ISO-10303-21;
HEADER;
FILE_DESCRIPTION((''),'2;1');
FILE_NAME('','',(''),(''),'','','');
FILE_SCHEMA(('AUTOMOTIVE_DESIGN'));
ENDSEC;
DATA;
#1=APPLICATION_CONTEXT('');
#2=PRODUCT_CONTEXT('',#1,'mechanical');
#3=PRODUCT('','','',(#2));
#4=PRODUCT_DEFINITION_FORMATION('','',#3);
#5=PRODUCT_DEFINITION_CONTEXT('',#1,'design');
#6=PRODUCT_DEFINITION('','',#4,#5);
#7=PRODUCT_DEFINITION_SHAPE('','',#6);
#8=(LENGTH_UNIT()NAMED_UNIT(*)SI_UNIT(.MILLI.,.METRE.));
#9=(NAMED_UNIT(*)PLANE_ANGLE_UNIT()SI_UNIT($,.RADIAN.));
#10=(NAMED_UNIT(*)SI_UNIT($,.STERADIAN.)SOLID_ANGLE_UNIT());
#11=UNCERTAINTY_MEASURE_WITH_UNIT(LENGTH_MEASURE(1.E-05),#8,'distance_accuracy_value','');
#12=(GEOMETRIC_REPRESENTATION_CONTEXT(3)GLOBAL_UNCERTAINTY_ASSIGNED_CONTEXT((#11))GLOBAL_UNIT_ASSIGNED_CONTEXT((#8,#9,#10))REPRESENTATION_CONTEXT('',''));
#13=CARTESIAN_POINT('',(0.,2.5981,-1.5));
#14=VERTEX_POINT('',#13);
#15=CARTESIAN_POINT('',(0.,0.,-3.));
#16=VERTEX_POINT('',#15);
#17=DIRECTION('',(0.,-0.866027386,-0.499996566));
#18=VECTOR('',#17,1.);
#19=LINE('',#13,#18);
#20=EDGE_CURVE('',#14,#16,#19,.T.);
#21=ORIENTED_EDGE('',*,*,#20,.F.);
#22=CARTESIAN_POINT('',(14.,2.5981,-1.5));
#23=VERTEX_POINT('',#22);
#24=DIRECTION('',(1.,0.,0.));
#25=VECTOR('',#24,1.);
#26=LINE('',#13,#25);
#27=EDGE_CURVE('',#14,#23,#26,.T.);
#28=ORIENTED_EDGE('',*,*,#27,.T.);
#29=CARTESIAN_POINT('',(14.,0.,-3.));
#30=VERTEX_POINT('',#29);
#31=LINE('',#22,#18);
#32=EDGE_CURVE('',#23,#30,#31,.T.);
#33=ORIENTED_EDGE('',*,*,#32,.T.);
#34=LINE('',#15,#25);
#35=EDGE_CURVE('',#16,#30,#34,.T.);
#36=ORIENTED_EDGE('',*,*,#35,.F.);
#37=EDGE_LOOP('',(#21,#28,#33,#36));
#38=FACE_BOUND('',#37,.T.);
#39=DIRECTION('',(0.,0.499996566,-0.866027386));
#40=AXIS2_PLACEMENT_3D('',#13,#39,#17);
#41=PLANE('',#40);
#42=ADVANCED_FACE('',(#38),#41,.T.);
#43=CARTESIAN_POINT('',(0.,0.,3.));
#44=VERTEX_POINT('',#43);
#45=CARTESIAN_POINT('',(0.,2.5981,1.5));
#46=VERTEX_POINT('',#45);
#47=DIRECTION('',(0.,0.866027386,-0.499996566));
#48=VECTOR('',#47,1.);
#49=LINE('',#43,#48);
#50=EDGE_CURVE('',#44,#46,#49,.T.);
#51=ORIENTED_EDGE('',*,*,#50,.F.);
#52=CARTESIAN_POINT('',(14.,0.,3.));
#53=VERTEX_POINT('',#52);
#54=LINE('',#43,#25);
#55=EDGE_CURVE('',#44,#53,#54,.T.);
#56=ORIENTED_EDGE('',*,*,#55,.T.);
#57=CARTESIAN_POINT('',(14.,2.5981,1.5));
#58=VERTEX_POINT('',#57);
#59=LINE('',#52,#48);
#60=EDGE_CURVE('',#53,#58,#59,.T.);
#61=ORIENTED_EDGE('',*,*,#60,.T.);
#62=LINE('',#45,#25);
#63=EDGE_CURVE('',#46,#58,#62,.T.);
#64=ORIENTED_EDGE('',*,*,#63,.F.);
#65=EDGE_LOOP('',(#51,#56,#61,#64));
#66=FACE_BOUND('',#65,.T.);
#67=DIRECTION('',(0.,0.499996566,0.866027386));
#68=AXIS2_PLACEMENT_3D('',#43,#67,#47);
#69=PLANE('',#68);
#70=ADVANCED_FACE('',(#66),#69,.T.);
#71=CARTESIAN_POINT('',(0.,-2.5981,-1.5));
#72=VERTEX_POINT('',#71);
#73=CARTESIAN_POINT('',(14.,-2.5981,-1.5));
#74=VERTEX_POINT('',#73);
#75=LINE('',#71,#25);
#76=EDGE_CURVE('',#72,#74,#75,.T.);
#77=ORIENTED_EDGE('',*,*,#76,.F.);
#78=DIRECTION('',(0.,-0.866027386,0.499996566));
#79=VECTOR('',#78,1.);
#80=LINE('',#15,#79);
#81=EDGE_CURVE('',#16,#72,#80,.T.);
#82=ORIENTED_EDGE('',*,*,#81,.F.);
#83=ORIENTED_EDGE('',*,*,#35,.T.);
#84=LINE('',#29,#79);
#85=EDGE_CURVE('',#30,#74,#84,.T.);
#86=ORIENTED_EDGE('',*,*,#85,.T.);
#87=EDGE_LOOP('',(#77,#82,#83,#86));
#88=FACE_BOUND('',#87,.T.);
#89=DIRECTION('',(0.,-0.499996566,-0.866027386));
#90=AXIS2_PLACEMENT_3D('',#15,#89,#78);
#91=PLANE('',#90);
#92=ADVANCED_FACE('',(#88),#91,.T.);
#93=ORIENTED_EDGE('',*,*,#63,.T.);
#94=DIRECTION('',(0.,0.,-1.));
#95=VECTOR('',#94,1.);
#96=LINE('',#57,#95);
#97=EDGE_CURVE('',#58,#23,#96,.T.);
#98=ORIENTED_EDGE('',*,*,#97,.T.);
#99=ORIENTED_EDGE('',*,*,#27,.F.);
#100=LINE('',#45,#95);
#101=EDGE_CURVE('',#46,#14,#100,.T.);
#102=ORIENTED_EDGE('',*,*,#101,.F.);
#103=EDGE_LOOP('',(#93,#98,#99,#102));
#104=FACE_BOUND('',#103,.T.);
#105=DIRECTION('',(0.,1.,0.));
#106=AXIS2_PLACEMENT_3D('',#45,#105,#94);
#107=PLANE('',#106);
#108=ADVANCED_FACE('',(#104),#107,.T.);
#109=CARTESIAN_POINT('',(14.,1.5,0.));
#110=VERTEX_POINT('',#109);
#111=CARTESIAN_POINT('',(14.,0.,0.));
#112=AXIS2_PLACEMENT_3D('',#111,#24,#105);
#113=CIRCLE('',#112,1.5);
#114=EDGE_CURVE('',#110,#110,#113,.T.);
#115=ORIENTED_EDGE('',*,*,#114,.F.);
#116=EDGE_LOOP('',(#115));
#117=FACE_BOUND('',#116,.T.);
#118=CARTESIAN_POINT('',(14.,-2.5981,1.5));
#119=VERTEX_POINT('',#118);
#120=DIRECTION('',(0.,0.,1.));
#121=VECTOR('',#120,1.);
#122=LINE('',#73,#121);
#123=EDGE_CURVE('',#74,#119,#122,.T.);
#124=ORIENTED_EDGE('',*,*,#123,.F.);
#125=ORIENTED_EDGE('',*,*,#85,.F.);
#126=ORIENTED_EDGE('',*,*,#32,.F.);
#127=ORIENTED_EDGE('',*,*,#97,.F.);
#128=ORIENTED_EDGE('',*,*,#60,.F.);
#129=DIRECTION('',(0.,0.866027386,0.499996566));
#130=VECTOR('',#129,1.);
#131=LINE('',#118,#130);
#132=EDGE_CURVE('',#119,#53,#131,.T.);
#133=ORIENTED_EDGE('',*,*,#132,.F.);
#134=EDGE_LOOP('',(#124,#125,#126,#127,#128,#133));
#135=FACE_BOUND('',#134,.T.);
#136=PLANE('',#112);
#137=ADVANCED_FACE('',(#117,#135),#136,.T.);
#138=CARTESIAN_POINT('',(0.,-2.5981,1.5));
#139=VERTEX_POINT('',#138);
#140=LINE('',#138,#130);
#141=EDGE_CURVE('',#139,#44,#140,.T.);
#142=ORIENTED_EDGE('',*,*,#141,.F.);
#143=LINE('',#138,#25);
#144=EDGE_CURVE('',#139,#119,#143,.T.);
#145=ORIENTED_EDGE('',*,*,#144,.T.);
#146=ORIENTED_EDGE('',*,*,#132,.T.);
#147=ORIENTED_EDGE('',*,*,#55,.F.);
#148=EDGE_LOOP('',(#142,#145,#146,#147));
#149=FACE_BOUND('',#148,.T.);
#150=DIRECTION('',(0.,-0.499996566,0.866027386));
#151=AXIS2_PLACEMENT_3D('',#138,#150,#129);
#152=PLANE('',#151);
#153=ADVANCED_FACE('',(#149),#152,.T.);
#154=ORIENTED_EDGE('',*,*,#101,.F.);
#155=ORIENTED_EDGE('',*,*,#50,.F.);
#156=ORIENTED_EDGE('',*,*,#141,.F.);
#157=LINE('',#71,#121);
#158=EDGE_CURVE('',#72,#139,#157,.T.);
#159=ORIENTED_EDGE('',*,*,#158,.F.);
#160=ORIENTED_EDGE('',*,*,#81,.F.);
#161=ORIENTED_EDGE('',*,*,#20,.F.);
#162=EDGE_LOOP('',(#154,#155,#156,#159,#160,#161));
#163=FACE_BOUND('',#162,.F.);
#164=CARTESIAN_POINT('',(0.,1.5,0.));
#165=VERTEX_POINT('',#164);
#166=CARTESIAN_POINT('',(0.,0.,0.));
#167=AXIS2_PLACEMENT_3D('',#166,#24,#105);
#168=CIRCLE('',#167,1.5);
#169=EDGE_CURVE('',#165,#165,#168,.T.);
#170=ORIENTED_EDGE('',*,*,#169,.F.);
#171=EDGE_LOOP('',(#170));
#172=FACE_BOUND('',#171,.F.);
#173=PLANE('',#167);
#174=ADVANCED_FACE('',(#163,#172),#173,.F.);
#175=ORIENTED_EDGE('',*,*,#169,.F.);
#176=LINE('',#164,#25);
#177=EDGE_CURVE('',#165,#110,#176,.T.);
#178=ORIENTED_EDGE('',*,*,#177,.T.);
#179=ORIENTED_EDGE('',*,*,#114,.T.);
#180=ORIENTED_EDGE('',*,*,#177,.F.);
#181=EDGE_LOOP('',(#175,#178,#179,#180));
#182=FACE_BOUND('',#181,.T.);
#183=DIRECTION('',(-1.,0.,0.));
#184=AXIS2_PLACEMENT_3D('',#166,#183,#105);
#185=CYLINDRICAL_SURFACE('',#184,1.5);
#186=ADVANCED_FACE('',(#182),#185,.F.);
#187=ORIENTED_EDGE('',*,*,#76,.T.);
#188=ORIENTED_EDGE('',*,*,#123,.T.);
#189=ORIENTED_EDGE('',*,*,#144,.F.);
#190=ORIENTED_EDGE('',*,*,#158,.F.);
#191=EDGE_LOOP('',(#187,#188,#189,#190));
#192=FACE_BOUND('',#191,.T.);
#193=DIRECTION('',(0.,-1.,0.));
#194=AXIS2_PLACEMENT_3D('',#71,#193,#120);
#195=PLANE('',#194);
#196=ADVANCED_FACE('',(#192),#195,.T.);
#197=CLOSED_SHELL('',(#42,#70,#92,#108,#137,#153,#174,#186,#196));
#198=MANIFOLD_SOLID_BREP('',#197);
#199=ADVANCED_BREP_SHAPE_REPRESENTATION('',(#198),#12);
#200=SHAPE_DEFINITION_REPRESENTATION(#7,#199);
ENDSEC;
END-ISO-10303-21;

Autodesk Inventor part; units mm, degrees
ref_plane "YZ Plane" through (0, 0, 0) normal (1, 0, 0) x (0, 1, 0)
ref_plane "XZ Plane" through (0, 0, 0) normal (0, 1, 0) x (-1, 0, 0)
ref_plane "XY Plane" through (0, 0, 0) normal (0, 0, 1) x (1, 0, 0)
sketch "Sketch1" plane through (0, 0, 0) normal (1, 0, 0) x (0, 1, 0)
  line L0 (0, 3) -> (2.5981, 1.5)
  line L1 (2.5981, 1.5) -> (2.5981, -1.5)
  line L2 (2.5981, -1.5) -> (0, -3)
  line L3 (0, -3) -> (-2.5981, -1.5)
  line L4 (-2.5981, -1.5) -> (-2.5981, 1.5)
  line L5 (-2.5981, 1.5) -> (0, 3)
  circle A0 centre (0, 0) radius 1.5
  dimension "d0" = 6
  dimension "d1" = 3
  dimension "d4" = 5.1962
extrude "Extrusion1" add sketch "Sketch1" along normal blind 14
properties part number "Spacer3" material "Brass, Soft Yellow"
